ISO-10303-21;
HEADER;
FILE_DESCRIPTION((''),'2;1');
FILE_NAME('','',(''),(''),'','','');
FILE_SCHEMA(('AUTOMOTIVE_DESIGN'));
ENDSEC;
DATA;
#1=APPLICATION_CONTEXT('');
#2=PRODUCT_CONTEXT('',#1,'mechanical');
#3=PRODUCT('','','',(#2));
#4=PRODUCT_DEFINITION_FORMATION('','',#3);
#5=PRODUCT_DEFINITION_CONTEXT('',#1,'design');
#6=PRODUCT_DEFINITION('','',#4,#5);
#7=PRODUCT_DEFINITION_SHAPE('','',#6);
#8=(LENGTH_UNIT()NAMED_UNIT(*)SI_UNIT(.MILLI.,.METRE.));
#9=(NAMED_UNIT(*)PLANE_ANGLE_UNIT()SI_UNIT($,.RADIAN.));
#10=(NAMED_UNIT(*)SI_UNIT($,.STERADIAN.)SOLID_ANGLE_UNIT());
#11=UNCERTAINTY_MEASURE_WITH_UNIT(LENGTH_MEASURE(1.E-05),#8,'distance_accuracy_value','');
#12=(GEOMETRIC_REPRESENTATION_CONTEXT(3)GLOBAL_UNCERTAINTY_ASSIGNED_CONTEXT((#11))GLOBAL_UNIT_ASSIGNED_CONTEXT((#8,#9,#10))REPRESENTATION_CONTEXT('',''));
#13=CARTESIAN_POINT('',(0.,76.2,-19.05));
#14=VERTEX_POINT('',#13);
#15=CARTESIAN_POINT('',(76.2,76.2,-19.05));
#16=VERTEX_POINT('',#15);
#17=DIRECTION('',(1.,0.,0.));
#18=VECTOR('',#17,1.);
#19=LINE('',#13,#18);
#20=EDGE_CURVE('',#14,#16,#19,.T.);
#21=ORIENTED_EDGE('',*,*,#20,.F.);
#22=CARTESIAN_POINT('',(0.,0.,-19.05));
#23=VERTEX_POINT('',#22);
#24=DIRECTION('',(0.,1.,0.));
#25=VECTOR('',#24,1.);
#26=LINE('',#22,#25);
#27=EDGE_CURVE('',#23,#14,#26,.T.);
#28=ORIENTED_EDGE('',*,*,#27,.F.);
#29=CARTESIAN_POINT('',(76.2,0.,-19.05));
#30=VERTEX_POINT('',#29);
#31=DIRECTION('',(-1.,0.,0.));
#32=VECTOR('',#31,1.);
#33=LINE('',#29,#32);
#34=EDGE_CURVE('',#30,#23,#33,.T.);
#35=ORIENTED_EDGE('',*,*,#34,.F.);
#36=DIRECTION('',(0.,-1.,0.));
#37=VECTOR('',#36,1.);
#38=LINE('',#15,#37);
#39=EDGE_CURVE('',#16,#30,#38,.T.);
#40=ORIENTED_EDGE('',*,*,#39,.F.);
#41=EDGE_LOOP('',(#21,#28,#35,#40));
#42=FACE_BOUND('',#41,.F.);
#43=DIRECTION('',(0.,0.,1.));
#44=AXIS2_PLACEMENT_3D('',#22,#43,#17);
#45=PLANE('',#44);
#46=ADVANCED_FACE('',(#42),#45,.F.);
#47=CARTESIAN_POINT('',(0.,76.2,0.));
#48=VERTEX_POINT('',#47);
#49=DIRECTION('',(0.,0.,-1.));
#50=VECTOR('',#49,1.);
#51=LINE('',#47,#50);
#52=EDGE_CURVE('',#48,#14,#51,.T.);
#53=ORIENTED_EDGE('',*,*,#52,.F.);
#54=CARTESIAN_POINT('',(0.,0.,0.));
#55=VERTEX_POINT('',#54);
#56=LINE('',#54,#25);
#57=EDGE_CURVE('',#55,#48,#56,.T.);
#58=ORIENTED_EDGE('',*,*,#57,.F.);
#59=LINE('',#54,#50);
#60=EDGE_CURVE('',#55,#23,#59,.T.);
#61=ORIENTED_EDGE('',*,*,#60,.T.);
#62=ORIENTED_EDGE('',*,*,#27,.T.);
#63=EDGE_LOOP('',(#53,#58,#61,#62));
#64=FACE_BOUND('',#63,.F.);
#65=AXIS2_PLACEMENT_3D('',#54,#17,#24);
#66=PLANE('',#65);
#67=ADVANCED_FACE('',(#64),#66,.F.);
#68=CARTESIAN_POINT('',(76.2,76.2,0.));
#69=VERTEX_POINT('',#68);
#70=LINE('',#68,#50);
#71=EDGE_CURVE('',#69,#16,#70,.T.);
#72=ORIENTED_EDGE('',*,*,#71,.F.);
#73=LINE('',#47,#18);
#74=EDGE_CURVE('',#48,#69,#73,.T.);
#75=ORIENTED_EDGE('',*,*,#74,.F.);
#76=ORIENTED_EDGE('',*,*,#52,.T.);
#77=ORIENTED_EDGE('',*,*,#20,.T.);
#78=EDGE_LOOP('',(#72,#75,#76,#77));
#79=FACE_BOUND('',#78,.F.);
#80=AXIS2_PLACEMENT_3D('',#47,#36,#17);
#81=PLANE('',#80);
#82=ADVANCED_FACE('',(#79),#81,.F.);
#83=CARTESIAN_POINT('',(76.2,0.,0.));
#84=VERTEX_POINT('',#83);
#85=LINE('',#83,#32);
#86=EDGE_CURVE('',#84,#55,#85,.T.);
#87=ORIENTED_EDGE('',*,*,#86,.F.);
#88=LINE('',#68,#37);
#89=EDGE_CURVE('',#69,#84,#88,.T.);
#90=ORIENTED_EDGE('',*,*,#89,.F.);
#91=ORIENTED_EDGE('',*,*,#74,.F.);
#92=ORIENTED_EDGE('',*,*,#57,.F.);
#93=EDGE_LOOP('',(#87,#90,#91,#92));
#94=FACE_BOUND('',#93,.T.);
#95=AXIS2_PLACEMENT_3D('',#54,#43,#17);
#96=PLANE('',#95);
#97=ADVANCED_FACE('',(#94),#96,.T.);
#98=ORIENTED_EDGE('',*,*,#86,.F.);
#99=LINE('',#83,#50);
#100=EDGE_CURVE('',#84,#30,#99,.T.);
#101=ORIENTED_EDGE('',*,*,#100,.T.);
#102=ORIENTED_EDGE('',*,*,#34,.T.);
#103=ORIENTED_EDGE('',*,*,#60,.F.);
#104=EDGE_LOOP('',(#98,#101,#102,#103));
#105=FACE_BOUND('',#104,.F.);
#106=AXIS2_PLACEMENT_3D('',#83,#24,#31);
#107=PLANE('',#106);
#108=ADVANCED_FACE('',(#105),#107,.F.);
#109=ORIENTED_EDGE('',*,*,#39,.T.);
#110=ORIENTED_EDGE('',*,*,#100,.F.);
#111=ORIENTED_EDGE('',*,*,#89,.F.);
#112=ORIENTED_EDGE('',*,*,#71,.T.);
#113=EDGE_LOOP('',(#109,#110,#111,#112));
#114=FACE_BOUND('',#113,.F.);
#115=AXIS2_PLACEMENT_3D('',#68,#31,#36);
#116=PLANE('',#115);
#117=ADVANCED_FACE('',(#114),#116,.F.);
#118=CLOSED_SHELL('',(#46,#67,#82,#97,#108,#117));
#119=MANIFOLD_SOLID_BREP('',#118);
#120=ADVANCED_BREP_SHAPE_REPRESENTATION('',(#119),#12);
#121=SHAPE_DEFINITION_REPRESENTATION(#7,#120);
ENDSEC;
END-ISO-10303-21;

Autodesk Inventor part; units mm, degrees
ref_plane "YZ Plane" through (0, 0, 0) normal (1, 0, 0) x (0, 1, 0)
ref_plane "Work Plane1" through (-3.81, -3.81, -19.05) normal (0, 0, 1) x (1, 0, 0)
sketch "Sketch2" plane through (0, 0, 0) normal (0, 0, 1) x (1, 0, 0)
  line L0 (0, 0) -> (0, 76.2) projected
  line L1 (0, 76.2) -> (76.2, 76.2) projected
  line L2 (76.2, 76.2) -> (76.2, 0) projected
  line L3 (76.2, 0) -> (0, 0) projected
ref_plane "Work Plane2" through (-3.81, -3.81, -19.05) normal (0, 0, 1) x (1, 0, 0)
extrude "Extrusion2" add sketch "Sketch2" against normal up to surface (19.05 mm away)
properties part number "STOCK_ALUMINIO"
